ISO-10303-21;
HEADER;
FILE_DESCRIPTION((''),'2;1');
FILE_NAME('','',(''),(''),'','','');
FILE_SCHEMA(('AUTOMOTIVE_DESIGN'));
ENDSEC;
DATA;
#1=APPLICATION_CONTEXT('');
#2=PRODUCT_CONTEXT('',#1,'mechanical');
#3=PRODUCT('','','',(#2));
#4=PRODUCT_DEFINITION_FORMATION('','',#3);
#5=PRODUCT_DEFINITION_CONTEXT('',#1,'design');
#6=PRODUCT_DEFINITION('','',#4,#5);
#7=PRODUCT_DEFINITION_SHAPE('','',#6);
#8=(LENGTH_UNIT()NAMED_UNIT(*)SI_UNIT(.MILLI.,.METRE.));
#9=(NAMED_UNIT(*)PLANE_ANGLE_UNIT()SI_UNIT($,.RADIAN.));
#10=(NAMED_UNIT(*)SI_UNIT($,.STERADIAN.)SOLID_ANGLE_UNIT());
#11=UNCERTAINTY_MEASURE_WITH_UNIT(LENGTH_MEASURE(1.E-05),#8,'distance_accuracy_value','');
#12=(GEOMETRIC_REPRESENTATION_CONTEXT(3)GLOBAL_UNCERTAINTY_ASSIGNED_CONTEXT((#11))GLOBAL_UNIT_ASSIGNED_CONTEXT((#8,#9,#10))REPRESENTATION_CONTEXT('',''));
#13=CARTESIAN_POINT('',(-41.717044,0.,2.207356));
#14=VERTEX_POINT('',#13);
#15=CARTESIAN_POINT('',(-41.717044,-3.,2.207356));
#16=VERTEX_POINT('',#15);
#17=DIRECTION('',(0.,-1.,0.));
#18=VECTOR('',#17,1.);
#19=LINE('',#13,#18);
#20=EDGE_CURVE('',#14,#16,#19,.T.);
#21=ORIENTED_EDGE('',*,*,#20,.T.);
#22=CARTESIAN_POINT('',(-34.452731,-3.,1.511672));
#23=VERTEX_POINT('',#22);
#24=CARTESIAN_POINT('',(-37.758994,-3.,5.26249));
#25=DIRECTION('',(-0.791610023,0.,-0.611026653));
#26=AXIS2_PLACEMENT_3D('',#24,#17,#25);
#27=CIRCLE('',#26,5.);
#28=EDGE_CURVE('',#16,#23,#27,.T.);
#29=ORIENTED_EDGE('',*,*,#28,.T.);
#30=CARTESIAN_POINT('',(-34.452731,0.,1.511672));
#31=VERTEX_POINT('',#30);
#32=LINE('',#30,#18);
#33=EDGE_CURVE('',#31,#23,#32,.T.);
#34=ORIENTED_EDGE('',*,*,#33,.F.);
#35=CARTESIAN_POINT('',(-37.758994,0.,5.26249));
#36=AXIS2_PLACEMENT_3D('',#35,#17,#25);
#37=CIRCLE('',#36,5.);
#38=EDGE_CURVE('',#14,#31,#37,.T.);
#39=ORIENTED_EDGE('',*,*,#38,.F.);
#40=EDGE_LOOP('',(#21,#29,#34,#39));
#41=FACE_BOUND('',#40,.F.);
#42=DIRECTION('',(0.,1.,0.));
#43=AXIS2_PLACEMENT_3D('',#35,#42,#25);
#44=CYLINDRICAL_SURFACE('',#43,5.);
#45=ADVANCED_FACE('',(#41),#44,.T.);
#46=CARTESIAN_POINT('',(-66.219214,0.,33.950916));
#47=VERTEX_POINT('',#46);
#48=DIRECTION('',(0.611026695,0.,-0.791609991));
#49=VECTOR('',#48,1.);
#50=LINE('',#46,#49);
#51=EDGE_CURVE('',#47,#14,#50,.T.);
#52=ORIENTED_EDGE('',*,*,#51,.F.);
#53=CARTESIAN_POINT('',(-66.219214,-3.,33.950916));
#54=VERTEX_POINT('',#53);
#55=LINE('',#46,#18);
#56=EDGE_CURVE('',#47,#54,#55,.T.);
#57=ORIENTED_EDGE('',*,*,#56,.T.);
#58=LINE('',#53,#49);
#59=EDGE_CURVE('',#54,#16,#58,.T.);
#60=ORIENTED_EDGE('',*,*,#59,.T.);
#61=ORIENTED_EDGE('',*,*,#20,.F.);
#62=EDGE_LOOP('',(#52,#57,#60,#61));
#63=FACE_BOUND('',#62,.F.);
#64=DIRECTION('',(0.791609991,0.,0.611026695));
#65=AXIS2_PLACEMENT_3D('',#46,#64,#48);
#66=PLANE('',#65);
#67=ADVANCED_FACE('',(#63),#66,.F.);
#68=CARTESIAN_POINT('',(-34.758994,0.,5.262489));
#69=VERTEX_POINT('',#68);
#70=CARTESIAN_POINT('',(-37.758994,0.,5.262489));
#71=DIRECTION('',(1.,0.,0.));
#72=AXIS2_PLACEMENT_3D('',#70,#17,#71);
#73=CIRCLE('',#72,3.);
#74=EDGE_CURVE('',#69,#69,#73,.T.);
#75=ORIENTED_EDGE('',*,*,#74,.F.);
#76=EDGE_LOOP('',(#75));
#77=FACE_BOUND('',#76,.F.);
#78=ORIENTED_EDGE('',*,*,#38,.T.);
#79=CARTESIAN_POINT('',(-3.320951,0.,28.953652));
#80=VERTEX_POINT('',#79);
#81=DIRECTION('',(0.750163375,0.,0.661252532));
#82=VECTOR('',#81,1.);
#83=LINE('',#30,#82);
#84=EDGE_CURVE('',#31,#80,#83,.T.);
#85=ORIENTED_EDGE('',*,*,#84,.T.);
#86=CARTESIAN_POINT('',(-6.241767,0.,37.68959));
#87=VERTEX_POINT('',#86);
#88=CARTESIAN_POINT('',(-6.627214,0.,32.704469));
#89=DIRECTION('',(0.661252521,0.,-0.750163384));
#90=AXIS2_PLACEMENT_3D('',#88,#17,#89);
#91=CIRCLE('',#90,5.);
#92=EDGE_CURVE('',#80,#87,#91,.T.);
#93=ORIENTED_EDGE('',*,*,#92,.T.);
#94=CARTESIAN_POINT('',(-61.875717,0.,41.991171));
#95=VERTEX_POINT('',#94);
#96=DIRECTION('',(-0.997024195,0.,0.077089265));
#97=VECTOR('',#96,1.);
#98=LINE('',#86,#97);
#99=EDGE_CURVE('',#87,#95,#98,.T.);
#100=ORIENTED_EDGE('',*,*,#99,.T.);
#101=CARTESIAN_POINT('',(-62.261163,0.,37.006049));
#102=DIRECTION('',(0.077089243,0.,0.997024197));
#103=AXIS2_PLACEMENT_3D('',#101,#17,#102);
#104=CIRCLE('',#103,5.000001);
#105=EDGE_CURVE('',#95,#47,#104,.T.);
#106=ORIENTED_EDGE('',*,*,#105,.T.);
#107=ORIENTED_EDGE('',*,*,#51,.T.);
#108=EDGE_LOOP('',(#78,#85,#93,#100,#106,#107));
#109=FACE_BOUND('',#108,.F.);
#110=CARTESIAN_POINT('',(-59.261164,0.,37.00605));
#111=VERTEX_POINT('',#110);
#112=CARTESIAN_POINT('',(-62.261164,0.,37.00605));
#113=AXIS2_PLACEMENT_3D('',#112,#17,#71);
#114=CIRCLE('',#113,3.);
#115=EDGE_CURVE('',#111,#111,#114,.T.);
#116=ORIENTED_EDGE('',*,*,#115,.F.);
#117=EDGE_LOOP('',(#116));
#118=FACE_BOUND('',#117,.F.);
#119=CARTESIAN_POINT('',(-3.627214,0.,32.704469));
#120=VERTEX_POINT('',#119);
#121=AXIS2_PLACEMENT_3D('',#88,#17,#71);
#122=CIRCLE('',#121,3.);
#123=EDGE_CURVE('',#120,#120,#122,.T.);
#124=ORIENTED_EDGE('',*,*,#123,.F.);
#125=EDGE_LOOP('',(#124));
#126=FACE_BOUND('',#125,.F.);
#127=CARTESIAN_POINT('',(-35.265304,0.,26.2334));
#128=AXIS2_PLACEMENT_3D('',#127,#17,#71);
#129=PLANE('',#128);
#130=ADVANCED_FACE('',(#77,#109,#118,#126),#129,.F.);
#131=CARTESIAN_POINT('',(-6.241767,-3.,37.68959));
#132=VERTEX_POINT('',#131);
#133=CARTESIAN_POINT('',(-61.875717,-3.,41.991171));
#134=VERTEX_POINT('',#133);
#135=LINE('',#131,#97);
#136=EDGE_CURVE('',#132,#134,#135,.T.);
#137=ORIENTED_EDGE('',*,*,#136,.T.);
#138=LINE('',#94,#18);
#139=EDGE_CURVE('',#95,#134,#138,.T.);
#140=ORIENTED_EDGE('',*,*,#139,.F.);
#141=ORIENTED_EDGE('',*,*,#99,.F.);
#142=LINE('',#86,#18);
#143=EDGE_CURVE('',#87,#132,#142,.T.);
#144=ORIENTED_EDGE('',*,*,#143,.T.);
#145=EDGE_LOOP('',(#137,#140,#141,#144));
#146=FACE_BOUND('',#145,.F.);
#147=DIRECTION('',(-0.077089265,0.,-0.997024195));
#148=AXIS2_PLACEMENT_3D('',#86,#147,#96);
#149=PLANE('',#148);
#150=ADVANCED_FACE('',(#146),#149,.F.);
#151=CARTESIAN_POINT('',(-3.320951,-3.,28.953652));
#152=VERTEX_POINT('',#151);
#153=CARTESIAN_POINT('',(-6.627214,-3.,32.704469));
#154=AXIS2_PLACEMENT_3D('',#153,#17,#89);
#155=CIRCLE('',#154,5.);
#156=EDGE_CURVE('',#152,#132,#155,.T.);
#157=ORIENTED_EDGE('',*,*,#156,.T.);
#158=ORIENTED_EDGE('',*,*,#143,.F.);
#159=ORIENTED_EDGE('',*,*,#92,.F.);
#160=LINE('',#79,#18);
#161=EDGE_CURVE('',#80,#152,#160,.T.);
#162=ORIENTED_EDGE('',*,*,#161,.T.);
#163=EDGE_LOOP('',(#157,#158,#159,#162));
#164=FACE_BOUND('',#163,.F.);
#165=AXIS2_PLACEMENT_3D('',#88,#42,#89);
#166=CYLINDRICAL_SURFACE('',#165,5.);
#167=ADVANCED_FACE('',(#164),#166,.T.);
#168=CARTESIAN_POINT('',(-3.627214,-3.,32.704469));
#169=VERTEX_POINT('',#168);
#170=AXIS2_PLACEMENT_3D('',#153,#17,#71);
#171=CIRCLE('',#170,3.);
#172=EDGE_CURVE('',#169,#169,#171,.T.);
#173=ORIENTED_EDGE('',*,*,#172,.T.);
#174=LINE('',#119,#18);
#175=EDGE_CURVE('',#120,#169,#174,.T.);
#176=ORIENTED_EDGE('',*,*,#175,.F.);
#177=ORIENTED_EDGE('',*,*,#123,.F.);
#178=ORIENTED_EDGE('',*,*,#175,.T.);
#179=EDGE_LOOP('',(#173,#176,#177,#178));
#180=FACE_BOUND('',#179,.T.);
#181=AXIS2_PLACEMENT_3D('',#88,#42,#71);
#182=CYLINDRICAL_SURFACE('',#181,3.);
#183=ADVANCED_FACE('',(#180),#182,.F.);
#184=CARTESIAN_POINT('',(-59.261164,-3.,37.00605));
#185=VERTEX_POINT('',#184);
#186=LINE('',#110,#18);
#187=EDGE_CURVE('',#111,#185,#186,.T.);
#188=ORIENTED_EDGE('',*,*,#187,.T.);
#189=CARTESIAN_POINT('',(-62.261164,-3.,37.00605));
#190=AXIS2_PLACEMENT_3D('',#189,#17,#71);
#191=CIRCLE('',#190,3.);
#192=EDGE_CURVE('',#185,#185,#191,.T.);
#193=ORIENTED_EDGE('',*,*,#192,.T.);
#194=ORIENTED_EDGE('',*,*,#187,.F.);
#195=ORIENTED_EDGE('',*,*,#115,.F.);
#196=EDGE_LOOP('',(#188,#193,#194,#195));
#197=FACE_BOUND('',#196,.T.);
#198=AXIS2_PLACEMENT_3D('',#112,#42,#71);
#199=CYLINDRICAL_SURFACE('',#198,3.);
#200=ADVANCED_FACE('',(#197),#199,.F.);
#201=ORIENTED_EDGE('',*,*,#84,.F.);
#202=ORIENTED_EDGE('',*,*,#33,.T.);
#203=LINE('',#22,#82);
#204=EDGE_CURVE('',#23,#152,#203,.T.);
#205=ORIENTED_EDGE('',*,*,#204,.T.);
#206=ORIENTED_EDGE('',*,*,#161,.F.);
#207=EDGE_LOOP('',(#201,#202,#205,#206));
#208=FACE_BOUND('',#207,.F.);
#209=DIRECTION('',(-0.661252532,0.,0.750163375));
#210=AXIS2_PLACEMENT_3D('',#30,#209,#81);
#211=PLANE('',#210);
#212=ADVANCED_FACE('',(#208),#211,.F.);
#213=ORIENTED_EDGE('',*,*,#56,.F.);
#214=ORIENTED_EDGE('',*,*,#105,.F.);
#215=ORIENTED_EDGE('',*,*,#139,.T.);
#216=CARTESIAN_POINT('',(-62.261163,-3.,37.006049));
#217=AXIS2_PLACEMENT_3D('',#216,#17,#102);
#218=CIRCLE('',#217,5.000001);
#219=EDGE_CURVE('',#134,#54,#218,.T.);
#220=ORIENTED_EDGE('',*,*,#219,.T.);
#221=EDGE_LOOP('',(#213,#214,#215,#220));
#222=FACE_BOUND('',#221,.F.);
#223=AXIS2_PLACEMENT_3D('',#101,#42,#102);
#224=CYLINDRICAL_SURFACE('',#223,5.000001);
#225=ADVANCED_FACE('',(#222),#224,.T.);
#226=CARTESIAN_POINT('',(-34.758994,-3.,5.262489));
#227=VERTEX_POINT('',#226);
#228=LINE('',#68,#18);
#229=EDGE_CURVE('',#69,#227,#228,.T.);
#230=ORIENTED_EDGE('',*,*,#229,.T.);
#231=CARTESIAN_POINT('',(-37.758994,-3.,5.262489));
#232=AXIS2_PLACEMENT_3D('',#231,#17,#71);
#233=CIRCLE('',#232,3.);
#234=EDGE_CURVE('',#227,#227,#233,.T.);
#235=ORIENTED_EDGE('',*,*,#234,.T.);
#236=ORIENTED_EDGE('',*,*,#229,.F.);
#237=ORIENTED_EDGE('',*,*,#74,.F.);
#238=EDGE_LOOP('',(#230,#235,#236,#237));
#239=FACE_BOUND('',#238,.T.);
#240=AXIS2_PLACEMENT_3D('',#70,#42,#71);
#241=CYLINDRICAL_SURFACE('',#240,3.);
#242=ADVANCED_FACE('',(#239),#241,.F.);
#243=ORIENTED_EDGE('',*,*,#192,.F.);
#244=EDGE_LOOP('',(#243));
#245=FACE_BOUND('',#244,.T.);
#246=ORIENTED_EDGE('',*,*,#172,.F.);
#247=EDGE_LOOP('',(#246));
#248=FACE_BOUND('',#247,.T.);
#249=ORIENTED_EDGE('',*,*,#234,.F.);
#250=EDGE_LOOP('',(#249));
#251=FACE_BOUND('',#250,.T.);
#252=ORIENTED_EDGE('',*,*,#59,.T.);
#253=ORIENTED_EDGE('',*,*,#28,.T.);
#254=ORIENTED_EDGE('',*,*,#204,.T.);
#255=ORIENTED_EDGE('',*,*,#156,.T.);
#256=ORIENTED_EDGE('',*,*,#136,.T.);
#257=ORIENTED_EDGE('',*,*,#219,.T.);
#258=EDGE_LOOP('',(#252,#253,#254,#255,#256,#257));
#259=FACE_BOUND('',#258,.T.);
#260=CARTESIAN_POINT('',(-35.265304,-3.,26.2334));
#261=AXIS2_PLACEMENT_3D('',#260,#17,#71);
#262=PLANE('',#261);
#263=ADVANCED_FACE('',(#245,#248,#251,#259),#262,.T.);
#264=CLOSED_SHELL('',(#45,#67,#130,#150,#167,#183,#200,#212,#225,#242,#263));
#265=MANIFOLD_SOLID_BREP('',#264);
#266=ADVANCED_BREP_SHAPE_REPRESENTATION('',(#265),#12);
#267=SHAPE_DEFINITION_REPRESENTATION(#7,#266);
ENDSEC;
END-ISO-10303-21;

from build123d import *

# Parameters (mm, degrees)
F0_R     = 3
F1_DEPTH = 3


with BuildPart() as f1:
    # F0 (on Front) → F1 (new body)
    with BuildSketch(Plane.XZ):
        with BuildLine():
            ThreePointArc((-3.320951, 28.953652), (-1.885238, 34.289924), (-6.241767, 37.68959))
            Line((-6.241767, 37.68959), (-61.875717, 41.991171))
            ThreePointArc((-61.875717, 41.991171), (-66.660288, 39.38254), (-66.219214, 33.950916))
            Line((-66.219214, 33.950916), (-41.717044, 2.207356))
            ThreePointArc((-41.717044, 2.207356), (-38.235649, 0.285261), (-34.452731, 1.511672))
            Line((-34.452731, 1.511672), (-3.320951, 28.953652))
        make_face()
        with Locations((-37.758994, 5.262489)):
            Circle(F0_R, mode=Mode.SUBTRACT)
        with Locations((-62.261164, 37.00605)):
            Circle(F0_R, mode=Mode.SUBTRACT)
        with Locations((-6.627214, 32.704469)):
            Circle(F0_R, mode=Mode.SUBTRACT)
    extrude(amount=F1_DEPTH)


solid = f1.part
